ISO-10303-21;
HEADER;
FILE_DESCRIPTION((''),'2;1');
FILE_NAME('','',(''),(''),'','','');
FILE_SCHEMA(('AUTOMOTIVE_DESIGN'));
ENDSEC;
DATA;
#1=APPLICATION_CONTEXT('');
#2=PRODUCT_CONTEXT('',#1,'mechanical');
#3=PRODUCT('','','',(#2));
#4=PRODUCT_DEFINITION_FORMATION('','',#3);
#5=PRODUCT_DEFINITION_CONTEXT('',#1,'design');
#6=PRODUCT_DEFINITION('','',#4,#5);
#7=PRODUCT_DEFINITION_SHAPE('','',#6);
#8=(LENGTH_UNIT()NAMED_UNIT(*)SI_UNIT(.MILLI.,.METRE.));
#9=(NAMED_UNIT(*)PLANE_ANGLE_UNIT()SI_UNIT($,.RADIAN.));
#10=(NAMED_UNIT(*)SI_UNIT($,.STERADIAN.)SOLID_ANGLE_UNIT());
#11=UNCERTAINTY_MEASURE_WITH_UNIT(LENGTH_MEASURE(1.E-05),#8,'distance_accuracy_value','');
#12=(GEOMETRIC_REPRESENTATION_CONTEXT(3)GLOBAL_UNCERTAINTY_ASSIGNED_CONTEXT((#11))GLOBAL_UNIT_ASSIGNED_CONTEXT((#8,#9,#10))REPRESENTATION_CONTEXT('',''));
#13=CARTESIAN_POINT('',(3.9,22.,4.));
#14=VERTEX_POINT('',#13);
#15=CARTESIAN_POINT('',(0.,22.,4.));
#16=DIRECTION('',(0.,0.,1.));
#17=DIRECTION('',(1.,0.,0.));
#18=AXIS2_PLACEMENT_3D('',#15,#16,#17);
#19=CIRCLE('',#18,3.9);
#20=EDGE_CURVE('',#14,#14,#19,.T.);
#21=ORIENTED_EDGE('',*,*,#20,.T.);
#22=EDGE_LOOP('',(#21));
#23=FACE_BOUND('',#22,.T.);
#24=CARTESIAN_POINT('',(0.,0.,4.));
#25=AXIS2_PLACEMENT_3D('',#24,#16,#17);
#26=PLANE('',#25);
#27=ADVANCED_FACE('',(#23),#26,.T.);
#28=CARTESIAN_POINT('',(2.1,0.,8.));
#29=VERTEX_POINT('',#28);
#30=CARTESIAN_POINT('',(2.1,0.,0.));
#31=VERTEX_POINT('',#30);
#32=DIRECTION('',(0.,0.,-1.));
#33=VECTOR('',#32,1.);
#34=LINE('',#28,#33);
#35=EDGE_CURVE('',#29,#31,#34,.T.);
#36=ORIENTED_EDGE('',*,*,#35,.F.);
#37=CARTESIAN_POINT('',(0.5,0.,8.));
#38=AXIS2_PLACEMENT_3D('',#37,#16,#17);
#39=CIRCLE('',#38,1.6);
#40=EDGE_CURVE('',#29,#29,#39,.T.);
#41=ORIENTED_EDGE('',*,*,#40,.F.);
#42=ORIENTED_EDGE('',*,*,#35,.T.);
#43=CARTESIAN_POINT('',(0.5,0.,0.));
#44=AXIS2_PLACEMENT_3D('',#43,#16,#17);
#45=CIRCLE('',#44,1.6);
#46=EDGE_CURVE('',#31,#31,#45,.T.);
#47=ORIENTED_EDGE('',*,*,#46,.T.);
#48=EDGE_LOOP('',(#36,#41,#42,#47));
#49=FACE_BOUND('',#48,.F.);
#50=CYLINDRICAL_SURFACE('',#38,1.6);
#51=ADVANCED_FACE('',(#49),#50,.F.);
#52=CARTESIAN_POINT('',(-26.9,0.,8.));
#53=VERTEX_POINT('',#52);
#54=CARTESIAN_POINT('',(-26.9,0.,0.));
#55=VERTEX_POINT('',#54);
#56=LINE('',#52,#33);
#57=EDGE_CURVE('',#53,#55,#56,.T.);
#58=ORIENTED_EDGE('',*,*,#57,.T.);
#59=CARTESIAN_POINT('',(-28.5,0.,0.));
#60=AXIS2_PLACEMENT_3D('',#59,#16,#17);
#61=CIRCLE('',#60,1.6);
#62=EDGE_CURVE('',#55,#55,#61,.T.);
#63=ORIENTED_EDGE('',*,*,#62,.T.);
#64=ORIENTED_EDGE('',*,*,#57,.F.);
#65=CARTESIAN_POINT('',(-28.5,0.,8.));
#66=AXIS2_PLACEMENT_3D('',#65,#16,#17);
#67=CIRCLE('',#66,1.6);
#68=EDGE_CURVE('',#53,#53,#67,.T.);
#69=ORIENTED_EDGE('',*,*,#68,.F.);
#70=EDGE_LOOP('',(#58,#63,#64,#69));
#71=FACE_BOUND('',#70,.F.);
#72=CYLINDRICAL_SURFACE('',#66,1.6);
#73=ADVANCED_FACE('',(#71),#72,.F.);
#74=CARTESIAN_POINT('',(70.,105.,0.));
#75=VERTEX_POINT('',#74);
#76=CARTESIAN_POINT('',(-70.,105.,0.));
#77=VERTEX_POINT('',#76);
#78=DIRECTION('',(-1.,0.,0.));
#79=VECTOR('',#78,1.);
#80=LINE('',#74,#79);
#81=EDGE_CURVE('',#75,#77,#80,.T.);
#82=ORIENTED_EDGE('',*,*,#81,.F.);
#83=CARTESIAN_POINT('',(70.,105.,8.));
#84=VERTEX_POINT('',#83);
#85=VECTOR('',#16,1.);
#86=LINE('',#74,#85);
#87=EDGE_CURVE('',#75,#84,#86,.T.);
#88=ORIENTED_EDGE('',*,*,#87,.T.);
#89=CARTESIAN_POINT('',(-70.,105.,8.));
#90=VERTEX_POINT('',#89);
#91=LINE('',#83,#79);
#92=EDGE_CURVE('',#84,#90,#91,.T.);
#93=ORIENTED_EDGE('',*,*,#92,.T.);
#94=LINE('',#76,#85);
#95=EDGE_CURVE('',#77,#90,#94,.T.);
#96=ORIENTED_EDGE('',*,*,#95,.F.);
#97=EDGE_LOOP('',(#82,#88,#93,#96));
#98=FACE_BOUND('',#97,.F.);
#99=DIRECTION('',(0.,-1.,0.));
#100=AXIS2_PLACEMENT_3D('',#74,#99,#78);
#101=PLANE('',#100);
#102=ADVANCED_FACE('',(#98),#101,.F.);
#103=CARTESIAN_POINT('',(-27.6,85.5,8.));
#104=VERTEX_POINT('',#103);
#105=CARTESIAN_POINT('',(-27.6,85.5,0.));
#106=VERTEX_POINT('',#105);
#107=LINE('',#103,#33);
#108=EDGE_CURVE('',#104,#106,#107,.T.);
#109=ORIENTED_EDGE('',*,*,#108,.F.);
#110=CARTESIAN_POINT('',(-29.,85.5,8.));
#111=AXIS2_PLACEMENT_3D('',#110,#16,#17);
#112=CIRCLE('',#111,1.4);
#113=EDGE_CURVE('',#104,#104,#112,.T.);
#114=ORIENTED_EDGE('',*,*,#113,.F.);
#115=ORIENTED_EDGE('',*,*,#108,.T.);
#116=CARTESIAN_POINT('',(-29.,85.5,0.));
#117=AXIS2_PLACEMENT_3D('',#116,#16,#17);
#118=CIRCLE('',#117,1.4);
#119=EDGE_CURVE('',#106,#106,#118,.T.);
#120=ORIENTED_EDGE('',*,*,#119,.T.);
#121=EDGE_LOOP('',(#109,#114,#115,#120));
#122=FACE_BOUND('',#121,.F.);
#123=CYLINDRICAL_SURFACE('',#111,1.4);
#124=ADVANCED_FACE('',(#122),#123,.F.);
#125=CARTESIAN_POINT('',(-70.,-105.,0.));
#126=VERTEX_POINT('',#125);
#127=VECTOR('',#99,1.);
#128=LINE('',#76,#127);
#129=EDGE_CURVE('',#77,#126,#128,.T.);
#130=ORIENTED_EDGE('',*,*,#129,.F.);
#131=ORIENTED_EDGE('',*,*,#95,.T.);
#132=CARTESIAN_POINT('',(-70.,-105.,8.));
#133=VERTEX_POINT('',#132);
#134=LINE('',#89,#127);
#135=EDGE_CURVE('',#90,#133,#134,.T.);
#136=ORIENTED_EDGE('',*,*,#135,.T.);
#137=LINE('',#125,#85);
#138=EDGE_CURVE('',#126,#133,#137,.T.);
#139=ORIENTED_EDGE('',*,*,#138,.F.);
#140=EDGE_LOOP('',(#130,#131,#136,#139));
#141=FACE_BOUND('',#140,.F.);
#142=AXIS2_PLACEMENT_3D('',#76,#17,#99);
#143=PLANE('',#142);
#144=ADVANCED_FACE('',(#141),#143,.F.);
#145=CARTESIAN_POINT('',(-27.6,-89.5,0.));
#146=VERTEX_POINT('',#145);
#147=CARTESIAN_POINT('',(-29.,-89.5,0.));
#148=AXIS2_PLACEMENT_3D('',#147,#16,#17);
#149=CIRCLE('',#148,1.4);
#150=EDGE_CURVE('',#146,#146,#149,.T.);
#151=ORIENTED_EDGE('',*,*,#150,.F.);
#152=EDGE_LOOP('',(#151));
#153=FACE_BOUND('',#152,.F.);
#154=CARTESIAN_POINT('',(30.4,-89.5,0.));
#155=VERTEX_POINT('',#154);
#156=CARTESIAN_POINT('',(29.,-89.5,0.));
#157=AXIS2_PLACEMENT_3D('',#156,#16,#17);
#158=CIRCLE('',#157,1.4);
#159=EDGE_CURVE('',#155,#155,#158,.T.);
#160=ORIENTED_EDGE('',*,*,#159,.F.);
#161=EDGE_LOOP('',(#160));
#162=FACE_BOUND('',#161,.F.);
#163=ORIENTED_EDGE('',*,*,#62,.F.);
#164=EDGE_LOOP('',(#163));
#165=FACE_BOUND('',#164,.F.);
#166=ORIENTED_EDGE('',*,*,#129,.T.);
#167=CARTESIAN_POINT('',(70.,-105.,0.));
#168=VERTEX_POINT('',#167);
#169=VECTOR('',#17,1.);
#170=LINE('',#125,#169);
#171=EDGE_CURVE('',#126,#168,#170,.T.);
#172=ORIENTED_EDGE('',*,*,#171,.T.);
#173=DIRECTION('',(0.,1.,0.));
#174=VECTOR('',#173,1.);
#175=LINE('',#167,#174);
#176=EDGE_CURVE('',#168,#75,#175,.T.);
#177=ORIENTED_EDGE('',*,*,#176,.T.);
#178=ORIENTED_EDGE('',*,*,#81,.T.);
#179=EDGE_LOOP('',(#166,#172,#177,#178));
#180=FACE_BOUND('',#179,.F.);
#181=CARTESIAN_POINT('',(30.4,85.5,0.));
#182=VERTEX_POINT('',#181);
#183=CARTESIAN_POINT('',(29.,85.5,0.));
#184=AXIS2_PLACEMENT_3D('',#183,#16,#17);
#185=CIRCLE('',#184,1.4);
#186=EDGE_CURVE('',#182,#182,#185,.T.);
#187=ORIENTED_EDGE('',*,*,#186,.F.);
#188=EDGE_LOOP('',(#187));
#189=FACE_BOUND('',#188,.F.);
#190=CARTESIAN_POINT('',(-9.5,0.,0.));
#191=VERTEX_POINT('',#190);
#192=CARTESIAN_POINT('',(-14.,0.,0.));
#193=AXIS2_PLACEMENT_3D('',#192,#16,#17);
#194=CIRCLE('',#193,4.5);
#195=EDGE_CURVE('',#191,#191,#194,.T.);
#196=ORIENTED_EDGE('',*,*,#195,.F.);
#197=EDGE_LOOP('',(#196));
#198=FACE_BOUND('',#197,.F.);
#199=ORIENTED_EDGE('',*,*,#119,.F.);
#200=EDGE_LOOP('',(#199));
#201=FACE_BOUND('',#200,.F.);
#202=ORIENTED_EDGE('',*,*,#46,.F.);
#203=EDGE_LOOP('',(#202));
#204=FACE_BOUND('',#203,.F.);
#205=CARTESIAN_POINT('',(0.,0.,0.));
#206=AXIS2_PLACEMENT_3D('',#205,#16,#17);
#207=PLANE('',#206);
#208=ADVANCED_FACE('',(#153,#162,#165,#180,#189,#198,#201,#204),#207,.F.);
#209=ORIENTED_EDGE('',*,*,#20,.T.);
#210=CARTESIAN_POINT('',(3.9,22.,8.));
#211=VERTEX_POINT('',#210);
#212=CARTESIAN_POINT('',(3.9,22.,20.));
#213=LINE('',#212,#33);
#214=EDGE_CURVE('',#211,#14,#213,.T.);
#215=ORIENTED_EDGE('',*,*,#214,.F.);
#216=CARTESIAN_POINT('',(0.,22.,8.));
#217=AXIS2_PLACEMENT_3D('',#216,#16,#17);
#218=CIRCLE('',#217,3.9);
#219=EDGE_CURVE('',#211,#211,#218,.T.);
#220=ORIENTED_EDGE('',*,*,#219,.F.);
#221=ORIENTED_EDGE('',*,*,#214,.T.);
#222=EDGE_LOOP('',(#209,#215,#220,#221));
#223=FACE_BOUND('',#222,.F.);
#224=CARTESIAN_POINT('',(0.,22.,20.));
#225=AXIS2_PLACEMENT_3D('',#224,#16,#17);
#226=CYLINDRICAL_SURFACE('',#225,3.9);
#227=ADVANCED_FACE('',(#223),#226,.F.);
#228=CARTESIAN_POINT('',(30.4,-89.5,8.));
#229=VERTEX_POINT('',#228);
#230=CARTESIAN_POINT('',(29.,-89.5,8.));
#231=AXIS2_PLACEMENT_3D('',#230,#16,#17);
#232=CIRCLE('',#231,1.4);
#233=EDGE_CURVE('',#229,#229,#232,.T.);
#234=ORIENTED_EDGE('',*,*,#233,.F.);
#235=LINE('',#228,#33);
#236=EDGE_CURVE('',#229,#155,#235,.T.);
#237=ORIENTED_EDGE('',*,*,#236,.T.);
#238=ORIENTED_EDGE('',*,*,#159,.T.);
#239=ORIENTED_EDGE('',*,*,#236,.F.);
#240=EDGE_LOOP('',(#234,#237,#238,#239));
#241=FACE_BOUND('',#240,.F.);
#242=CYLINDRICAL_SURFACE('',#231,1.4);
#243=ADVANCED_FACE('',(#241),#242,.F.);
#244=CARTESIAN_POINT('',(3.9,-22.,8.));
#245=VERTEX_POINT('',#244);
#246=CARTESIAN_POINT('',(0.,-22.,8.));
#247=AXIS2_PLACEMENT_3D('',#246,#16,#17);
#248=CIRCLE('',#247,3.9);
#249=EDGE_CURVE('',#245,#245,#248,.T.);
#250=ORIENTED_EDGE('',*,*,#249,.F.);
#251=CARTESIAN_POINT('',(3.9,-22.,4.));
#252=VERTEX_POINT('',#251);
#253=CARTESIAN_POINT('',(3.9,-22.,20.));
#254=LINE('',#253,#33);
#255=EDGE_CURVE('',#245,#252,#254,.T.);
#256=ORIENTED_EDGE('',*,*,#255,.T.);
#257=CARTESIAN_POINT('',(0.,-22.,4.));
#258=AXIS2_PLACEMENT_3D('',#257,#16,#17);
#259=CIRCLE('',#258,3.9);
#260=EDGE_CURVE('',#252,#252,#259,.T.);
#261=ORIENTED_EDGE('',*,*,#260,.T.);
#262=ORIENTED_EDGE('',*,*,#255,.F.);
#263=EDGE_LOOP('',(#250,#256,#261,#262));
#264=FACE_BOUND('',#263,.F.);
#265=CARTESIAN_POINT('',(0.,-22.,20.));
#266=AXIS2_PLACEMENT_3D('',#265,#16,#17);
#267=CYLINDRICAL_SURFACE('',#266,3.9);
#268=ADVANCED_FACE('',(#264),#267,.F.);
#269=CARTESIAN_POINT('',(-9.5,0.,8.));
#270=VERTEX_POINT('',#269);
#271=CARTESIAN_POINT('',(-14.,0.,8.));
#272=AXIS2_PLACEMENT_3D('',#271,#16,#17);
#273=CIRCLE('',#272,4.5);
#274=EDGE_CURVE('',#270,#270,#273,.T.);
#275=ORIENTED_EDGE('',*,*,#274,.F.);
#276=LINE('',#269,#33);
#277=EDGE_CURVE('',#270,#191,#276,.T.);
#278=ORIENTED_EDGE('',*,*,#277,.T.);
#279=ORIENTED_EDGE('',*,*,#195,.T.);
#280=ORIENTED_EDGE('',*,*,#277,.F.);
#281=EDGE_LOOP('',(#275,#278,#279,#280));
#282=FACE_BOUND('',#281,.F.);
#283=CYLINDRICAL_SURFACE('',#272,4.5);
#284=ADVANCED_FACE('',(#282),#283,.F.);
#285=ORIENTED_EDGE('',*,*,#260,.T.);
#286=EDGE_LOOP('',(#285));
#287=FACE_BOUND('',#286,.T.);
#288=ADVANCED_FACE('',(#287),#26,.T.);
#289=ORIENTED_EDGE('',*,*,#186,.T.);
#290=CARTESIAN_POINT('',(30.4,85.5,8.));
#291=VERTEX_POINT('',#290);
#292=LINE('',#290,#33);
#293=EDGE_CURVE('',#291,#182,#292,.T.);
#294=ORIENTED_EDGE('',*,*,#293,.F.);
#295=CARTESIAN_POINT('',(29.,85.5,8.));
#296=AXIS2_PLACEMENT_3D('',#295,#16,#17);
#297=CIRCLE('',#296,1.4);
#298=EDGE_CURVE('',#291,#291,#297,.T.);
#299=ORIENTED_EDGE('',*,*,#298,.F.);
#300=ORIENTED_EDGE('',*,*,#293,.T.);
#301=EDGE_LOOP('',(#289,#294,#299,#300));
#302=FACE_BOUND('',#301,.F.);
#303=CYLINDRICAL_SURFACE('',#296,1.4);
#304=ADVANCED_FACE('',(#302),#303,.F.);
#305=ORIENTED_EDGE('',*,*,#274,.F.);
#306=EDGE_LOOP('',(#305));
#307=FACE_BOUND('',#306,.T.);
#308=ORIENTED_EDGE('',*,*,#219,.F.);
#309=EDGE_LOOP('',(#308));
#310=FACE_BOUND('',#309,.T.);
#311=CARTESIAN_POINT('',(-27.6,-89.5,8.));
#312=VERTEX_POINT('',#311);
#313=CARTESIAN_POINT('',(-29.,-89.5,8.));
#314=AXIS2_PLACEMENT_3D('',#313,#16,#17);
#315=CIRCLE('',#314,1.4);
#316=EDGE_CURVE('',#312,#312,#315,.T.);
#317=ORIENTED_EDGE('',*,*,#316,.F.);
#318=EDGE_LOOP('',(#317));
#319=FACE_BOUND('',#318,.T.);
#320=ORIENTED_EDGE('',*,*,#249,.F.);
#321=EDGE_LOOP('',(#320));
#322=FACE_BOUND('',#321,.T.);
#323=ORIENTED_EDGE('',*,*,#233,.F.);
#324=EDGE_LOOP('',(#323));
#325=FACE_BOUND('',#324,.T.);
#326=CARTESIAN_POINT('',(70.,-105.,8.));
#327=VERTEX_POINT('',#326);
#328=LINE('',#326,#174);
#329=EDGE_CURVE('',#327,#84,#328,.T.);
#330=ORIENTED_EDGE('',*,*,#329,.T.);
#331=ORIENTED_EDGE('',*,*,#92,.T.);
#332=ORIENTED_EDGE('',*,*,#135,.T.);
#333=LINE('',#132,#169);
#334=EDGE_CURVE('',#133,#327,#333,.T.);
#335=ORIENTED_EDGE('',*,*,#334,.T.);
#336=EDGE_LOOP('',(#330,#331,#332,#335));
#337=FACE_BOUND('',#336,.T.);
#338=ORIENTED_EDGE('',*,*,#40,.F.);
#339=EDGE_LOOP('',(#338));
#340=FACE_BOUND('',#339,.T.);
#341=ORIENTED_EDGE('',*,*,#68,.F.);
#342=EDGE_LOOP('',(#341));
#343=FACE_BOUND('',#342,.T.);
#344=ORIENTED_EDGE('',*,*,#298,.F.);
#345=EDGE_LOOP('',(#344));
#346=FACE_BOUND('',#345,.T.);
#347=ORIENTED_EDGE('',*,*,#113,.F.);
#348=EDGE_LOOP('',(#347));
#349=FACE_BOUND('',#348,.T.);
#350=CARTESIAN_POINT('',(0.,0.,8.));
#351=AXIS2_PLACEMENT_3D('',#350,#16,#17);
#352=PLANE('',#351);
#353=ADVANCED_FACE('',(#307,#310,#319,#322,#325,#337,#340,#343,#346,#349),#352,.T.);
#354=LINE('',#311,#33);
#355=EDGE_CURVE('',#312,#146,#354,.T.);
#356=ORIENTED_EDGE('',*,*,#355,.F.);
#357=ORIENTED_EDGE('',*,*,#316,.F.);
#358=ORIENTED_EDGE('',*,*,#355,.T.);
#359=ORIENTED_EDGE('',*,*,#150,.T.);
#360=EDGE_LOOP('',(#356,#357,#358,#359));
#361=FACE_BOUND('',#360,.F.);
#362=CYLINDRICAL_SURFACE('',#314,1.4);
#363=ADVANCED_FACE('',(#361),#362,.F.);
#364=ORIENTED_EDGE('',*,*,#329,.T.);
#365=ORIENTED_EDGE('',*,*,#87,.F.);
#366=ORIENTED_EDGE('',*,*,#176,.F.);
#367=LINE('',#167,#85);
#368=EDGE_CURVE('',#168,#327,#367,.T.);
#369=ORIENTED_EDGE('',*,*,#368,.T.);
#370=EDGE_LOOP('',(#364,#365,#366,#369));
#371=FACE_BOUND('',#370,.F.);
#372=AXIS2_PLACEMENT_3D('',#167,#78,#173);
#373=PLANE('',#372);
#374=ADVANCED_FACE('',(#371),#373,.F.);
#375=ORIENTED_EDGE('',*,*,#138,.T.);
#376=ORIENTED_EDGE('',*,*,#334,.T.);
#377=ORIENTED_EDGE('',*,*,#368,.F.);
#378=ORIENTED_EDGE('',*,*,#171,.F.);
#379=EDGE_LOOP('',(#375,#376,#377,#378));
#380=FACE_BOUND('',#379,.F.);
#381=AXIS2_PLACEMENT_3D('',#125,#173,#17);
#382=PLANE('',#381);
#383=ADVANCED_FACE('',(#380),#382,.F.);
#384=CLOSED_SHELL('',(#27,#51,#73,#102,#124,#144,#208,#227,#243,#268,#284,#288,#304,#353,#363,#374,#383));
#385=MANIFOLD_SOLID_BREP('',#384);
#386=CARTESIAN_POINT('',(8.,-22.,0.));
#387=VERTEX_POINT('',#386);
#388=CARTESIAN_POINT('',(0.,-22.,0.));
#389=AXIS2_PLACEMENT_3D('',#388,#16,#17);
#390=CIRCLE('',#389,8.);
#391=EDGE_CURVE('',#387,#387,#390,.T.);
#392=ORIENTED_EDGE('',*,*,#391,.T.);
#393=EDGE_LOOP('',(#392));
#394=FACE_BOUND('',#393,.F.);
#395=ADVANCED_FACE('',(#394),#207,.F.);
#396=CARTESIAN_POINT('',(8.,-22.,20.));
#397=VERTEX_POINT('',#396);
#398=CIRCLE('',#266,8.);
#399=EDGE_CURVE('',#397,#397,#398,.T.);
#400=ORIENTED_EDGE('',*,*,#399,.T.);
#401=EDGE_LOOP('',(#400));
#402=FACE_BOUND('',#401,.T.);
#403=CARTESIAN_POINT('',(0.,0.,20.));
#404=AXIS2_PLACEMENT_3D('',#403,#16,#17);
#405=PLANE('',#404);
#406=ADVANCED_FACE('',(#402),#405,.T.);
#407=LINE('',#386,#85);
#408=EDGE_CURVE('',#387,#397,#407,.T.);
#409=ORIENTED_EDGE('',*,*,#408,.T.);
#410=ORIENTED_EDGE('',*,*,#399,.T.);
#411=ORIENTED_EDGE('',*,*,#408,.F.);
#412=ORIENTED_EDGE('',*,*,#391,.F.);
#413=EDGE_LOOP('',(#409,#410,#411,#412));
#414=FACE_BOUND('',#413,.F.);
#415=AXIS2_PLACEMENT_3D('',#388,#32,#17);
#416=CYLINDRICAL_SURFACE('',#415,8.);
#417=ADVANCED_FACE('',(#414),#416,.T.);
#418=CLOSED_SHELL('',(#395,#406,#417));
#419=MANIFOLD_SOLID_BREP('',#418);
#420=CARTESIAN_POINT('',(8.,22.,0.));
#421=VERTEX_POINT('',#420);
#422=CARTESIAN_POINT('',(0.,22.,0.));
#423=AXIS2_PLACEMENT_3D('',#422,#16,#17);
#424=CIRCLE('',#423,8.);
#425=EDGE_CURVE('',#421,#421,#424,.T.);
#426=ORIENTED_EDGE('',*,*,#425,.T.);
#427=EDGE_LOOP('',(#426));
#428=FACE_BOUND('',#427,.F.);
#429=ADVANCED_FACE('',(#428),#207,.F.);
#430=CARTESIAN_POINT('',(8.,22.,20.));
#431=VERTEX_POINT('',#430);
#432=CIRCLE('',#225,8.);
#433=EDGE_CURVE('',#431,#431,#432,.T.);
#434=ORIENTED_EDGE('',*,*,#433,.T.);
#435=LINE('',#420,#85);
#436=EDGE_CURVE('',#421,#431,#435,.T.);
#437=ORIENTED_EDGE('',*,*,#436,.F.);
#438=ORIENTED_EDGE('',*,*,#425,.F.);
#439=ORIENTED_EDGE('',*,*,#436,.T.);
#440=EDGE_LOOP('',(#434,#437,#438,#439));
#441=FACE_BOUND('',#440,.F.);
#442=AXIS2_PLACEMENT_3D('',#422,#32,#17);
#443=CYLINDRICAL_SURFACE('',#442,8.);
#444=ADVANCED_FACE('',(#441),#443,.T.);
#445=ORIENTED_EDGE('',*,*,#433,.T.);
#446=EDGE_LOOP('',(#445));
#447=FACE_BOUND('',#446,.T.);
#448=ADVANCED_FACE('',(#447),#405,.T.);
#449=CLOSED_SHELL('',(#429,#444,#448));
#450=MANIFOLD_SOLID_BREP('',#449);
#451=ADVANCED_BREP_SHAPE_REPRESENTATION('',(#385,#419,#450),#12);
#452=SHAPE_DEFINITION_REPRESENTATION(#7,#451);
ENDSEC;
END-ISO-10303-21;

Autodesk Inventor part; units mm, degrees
ref_plane "YZ Plane" through (0, 0, 0) normal (1, 0, 0) x (0, 1, 0)
sketch "Skizze1" plane through (0, 0, 0) normal (0, 0, 1) x (1, 0, 0)
  line L0 (-70, -105) -> (70, -105)
  line L1 (70, -105) -> (70, 105)
  line L2 (70, 105) -> (-70, 105)
  line L3 (-70, 105) -> (-70, -105)
extrude "Extrusion1" add sketch "Skizze1" along normal blind 8
ref_plane "Arbeitsebene1" through (0, 0, 8) normal (0, 0, 1) x (1, 0, 0)
sketch "Skizze2" plane through (0, 0, 8) normal (0, 0, 1) x (1, 0, 0)
  circle A0 centre (-14, 0) radius 4.5
extrude "Extrusion2" cut sketch "Skizze2" against normal blind 8.2
sketch "Skizze3" plane through (0, 0, 8) normal (0, 0, 1) x (1, 0, 0)
  circle A0 centre (-28.5, 0) radius 1.6
extrude "Extrusion3" cut sketch "Skizze3" against normal blind 8.2
sketch "Skizze4" plane through (0, 0, 8) normal (0, 0, 1) x (1, 0, 0)
  circle A0 centre (0.5, 0) radius 1.6
extrude "Extrusion4" cut sketch "Skizze4" against normal blind 8.2
sketch "Skizze5" plane through (0, 0, 8) normal (0, 0, 1) x (1, 0, 0)
  circle A0 centre (-29, -89.5) radius 1.4
extrude "Extrusion5" cut sketch "Skizze5" against normal blind 8.2
sketch "Skizze6" plane through (0, 0, 8) normal (0, 0, 1) x (1, 0, 0)
  circle A0 centre (29, -89.5) radius 1.4
extrude "Extrusion6" cut sketch "Skizze6" against normal blind 8.2
sketch "Skizze7" plane through (0, 0, 8) normal (0, 0, 1) x (1, 0, 0)
  circle A0 centre (-29, 85.5) radius 1.4
extrude "Extrusion7" cut sketch "Skizze7" against normal blind 8.2
sketch "Skizze8" plane through (0, 0, 8) normal (0, 0, 1) x (1, 0, 0)
  circle A0 centre (29, 85.5) radius 1.4
extrude "Extrusion8" cut sketch "Skizze8" against normal blind 8.2
sketch "Skizze9" plane through (0, 0, 0) normal (0, 0, 1) x (1, 0, 0)
  circle A0 centre (0, -22) radius 8
extrude "Extrusion9" add sketch "Skizze9" along normal blind 20 separate body
sketch "Skizze10" plane through (0, 0, 0) normal (0, 0, 1) x (1, 0, 0)
  circle A0 centre (0, 22) radius 8
extrude "Extrusion10" add sketch "Skizze10" along normal blind 20 separate body
ref_plane "Arbeitsebene2" through (0, 0, 20) normal (0, 0, 1) x (1, 0, 0)
sketch "Skizze11" plane through (0, 0, 20) normal (0, 0, 1) x (1, 0, 0)
  circle A0 centre (0, -22) radius 3.9
extrude "Extrusion11" cut sketch "Skizze11" against normal blind 16 bodies 1
sketch "Skizze12" plane through (0, 0, 20) normal (0, 0, 1) x (1, 0, 0)
  circle A0 centre (0, 22) radius 3.9
extrude "Extrusion12" cut sketch "Skizze12" against normal blind 16 bodies 1
properties part number "Grundplatte_v4"
